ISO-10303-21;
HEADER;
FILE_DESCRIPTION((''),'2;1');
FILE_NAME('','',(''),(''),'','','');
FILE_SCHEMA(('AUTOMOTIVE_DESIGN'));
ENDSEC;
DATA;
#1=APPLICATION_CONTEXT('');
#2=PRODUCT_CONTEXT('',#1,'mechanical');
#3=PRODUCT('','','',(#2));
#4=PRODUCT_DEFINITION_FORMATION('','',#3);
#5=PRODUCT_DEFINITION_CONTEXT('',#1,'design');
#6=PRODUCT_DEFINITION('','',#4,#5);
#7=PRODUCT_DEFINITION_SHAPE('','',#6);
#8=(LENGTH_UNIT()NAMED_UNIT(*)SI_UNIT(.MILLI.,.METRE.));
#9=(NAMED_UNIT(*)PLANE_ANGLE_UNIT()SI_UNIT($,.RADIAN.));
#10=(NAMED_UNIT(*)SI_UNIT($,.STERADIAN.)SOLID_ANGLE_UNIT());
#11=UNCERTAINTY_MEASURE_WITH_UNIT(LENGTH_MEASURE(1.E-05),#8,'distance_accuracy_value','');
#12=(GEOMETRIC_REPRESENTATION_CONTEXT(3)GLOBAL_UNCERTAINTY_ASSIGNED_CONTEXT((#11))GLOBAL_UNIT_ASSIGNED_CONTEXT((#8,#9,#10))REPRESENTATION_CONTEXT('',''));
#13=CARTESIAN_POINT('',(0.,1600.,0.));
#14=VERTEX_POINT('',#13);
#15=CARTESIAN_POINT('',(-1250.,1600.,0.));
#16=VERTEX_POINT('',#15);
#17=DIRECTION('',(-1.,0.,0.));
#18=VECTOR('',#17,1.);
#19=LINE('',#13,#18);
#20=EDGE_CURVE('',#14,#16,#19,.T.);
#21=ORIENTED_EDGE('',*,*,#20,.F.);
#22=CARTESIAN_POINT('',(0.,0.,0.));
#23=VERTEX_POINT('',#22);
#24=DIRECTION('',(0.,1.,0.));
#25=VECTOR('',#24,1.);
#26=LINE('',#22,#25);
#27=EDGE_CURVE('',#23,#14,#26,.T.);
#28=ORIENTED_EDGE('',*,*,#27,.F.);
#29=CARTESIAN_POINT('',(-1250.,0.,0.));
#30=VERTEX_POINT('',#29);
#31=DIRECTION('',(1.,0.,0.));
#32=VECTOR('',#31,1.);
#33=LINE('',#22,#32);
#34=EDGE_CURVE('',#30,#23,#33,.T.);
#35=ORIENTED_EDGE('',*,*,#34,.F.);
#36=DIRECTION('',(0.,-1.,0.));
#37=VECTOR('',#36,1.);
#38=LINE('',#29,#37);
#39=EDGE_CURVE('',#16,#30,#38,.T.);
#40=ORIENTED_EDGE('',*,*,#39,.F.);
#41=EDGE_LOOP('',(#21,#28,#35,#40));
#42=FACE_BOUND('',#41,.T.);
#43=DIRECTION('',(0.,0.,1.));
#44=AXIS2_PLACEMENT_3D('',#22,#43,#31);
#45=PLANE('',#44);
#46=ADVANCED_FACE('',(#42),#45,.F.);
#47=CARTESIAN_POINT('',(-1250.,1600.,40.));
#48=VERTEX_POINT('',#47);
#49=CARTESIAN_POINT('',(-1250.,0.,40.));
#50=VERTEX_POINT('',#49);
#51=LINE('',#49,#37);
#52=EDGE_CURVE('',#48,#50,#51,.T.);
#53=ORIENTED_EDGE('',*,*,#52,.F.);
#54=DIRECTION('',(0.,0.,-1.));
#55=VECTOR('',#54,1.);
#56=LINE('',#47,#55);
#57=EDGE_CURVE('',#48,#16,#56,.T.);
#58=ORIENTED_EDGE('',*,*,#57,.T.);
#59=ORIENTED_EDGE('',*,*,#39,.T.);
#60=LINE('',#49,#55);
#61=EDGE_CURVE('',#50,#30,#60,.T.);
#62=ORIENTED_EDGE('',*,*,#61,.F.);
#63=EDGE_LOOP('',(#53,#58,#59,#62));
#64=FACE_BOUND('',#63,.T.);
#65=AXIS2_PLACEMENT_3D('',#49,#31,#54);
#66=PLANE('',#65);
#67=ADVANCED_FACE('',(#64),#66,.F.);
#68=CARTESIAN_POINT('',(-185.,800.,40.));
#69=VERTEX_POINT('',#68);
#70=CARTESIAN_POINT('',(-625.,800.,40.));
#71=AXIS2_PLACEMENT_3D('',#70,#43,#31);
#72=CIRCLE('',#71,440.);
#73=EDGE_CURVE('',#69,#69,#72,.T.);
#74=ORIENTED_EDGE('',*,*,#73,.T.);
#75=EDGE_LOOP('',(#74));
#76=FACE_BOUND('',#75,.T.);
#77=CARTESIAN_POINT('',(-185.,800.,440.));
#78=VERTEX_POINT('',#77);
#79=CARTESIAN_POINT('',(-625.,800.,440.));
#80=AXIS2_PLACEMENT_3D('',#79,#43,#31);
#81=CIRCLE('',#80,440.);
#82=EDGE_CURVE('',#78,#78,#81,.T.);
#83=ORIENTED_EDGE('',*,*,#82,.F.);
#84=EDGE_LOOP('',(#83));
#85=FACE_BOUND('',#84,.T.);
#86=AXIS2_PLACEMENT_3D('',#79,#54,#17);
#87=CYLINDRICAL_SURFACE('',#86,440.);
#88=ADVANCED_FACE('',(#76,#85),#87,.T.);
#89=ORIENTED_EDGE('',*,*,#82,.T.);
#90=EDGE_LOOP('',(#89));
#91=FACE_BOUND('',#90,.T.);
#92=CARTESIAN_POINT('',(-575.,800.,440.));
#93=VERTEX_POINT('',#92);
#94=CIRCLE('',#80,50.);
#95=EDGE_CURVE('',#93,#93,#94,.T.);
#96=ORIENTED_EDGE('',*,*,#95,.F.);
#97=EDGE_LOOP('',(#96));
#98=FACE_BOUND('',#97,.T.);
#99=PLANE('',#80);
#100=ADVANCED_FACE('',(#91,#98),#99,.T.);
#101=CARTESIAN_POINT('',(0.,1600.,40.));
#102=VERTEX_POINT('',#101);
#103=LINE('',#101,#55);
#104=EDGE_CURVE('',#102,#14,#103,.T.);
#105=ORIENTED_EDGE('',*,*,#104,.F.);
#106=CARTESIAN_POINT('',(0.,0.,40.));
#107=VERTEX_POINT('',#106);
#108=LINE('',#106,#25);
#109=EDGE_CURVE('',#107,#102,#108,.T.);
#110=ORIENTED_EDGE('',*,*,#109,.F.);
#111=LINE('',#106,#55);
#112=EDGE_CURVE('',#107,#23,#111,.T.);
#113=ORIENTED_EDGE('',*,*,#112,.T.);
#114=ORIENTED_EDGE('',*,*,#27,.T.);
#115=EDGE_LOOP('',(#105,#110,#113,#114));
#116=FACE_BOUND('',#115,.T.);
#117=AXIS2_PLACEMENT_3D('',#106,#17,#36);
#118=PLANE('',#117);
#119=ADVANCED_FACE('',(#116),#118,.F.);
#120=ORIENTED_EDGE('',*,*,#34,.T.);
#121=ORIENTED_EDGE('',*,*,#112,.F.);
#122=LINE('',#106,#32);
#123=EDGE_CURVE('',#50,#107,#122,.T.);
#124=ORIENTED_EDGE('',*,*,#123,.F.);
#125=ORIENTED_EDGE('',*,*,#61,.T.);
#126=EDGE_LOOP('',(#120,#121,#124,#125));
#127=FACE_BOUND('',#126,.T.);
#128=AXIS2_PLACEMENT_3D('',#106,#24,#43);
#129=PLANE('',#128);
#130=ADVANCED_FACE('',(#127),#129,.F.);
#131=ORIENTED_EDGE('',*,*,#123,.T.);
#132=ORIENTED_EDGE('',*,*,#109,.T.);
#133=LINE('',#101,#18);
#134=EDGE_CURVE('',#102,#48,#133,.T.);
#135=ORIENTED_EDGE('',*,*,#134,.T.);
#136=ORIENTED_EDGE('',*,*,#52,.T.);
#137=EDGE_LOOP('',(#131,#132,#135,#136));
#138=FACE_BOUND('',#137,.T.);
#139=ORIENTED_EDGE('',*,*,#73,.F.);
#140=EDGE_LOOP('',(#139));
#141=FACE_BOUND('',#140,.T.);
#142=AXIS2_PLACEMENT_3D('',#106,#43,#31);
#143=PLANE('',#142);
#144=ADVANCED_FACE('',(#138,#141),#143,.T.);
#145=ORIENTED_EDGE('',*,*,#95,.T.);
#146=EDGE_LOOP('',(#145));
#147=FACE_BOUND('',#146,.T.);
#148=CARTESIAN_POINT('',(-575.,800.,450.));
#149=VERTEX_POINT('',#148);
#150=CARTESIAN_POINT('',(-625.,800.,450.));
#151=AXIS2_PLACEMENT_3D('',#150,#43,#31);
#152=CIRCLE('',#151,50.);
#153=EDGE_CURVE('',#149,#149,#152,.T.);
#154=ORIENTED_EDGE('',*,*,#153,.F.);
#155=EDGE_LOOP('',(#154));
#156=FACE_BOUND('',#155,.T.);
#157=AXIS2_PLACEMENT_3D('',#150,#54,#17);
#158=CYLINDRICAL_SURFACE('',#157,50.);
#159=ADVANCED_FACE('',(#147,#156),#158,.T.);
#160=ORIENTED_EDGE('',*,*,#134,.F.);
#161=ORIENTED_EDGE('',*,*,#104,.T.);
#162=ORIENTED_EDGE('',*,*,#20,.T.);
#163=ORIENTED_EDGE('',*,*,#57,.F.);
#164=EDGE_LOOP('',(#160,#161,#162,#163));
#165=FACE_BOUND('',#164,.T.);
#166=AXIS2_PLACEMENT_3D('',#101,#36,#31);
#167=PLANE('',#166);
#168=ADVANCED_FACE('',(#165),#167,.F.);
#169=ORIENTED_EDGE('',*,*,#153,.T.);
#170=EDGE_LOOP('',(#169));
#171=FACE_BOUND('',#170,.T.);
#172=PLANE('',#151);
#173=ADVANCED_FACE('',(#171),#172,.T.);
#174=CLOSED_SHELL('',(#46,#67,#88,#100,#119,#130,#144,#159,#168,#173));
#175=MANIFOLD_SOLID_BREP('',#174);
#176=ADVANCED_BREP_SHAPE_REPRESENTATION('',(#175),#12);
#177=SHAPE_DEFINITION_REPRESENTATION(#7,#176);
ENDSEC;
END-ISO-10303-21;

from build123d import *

# Parameters (mm, degrees)
ESQUISSE1_W        = 1250
ESQUISSE1_H        = 1600
BOSS_EXTRU_1_DEPTH = 40
ESQUISSE2_R        = 440
BOSS_EXTRU_2_DEPTH = 400
ESQUISSE3_R        = 50
BOSS_EXTRU_3_DEPTH = 10


with BuildPart() as part:
    # Esquisse1 → Boss.-Extru.1 (new body)
    with BuildSketch(Plane.XY):
        with Locations((-625, 800)):
            Rectangle(ESQUISSE1_W, ESQUISSE1_H)
    extrude(amount=BOSS_EXTRU_1_DEPTH)

    # Esquisse2 → Boss.-Extru.2 (add)
    with BuildSketch(Plane.XY.offset(40)):
        with Locations((-625, 800)):
            Circle(ESQUISSE2_R)
    extrude(amount=BOSS_EXTRU_2_DEPTH)

    # Esquisse3 → Boss.-Extru.3 (add)
    with BuildSketch(Plane.XY.offset(440)):
        with Locations((-625, 800)):
            Circle(ESQUISSE3_R)
    extrude(amount=BOSS_EXTRU_3_DEPTH)


solid = part.part
